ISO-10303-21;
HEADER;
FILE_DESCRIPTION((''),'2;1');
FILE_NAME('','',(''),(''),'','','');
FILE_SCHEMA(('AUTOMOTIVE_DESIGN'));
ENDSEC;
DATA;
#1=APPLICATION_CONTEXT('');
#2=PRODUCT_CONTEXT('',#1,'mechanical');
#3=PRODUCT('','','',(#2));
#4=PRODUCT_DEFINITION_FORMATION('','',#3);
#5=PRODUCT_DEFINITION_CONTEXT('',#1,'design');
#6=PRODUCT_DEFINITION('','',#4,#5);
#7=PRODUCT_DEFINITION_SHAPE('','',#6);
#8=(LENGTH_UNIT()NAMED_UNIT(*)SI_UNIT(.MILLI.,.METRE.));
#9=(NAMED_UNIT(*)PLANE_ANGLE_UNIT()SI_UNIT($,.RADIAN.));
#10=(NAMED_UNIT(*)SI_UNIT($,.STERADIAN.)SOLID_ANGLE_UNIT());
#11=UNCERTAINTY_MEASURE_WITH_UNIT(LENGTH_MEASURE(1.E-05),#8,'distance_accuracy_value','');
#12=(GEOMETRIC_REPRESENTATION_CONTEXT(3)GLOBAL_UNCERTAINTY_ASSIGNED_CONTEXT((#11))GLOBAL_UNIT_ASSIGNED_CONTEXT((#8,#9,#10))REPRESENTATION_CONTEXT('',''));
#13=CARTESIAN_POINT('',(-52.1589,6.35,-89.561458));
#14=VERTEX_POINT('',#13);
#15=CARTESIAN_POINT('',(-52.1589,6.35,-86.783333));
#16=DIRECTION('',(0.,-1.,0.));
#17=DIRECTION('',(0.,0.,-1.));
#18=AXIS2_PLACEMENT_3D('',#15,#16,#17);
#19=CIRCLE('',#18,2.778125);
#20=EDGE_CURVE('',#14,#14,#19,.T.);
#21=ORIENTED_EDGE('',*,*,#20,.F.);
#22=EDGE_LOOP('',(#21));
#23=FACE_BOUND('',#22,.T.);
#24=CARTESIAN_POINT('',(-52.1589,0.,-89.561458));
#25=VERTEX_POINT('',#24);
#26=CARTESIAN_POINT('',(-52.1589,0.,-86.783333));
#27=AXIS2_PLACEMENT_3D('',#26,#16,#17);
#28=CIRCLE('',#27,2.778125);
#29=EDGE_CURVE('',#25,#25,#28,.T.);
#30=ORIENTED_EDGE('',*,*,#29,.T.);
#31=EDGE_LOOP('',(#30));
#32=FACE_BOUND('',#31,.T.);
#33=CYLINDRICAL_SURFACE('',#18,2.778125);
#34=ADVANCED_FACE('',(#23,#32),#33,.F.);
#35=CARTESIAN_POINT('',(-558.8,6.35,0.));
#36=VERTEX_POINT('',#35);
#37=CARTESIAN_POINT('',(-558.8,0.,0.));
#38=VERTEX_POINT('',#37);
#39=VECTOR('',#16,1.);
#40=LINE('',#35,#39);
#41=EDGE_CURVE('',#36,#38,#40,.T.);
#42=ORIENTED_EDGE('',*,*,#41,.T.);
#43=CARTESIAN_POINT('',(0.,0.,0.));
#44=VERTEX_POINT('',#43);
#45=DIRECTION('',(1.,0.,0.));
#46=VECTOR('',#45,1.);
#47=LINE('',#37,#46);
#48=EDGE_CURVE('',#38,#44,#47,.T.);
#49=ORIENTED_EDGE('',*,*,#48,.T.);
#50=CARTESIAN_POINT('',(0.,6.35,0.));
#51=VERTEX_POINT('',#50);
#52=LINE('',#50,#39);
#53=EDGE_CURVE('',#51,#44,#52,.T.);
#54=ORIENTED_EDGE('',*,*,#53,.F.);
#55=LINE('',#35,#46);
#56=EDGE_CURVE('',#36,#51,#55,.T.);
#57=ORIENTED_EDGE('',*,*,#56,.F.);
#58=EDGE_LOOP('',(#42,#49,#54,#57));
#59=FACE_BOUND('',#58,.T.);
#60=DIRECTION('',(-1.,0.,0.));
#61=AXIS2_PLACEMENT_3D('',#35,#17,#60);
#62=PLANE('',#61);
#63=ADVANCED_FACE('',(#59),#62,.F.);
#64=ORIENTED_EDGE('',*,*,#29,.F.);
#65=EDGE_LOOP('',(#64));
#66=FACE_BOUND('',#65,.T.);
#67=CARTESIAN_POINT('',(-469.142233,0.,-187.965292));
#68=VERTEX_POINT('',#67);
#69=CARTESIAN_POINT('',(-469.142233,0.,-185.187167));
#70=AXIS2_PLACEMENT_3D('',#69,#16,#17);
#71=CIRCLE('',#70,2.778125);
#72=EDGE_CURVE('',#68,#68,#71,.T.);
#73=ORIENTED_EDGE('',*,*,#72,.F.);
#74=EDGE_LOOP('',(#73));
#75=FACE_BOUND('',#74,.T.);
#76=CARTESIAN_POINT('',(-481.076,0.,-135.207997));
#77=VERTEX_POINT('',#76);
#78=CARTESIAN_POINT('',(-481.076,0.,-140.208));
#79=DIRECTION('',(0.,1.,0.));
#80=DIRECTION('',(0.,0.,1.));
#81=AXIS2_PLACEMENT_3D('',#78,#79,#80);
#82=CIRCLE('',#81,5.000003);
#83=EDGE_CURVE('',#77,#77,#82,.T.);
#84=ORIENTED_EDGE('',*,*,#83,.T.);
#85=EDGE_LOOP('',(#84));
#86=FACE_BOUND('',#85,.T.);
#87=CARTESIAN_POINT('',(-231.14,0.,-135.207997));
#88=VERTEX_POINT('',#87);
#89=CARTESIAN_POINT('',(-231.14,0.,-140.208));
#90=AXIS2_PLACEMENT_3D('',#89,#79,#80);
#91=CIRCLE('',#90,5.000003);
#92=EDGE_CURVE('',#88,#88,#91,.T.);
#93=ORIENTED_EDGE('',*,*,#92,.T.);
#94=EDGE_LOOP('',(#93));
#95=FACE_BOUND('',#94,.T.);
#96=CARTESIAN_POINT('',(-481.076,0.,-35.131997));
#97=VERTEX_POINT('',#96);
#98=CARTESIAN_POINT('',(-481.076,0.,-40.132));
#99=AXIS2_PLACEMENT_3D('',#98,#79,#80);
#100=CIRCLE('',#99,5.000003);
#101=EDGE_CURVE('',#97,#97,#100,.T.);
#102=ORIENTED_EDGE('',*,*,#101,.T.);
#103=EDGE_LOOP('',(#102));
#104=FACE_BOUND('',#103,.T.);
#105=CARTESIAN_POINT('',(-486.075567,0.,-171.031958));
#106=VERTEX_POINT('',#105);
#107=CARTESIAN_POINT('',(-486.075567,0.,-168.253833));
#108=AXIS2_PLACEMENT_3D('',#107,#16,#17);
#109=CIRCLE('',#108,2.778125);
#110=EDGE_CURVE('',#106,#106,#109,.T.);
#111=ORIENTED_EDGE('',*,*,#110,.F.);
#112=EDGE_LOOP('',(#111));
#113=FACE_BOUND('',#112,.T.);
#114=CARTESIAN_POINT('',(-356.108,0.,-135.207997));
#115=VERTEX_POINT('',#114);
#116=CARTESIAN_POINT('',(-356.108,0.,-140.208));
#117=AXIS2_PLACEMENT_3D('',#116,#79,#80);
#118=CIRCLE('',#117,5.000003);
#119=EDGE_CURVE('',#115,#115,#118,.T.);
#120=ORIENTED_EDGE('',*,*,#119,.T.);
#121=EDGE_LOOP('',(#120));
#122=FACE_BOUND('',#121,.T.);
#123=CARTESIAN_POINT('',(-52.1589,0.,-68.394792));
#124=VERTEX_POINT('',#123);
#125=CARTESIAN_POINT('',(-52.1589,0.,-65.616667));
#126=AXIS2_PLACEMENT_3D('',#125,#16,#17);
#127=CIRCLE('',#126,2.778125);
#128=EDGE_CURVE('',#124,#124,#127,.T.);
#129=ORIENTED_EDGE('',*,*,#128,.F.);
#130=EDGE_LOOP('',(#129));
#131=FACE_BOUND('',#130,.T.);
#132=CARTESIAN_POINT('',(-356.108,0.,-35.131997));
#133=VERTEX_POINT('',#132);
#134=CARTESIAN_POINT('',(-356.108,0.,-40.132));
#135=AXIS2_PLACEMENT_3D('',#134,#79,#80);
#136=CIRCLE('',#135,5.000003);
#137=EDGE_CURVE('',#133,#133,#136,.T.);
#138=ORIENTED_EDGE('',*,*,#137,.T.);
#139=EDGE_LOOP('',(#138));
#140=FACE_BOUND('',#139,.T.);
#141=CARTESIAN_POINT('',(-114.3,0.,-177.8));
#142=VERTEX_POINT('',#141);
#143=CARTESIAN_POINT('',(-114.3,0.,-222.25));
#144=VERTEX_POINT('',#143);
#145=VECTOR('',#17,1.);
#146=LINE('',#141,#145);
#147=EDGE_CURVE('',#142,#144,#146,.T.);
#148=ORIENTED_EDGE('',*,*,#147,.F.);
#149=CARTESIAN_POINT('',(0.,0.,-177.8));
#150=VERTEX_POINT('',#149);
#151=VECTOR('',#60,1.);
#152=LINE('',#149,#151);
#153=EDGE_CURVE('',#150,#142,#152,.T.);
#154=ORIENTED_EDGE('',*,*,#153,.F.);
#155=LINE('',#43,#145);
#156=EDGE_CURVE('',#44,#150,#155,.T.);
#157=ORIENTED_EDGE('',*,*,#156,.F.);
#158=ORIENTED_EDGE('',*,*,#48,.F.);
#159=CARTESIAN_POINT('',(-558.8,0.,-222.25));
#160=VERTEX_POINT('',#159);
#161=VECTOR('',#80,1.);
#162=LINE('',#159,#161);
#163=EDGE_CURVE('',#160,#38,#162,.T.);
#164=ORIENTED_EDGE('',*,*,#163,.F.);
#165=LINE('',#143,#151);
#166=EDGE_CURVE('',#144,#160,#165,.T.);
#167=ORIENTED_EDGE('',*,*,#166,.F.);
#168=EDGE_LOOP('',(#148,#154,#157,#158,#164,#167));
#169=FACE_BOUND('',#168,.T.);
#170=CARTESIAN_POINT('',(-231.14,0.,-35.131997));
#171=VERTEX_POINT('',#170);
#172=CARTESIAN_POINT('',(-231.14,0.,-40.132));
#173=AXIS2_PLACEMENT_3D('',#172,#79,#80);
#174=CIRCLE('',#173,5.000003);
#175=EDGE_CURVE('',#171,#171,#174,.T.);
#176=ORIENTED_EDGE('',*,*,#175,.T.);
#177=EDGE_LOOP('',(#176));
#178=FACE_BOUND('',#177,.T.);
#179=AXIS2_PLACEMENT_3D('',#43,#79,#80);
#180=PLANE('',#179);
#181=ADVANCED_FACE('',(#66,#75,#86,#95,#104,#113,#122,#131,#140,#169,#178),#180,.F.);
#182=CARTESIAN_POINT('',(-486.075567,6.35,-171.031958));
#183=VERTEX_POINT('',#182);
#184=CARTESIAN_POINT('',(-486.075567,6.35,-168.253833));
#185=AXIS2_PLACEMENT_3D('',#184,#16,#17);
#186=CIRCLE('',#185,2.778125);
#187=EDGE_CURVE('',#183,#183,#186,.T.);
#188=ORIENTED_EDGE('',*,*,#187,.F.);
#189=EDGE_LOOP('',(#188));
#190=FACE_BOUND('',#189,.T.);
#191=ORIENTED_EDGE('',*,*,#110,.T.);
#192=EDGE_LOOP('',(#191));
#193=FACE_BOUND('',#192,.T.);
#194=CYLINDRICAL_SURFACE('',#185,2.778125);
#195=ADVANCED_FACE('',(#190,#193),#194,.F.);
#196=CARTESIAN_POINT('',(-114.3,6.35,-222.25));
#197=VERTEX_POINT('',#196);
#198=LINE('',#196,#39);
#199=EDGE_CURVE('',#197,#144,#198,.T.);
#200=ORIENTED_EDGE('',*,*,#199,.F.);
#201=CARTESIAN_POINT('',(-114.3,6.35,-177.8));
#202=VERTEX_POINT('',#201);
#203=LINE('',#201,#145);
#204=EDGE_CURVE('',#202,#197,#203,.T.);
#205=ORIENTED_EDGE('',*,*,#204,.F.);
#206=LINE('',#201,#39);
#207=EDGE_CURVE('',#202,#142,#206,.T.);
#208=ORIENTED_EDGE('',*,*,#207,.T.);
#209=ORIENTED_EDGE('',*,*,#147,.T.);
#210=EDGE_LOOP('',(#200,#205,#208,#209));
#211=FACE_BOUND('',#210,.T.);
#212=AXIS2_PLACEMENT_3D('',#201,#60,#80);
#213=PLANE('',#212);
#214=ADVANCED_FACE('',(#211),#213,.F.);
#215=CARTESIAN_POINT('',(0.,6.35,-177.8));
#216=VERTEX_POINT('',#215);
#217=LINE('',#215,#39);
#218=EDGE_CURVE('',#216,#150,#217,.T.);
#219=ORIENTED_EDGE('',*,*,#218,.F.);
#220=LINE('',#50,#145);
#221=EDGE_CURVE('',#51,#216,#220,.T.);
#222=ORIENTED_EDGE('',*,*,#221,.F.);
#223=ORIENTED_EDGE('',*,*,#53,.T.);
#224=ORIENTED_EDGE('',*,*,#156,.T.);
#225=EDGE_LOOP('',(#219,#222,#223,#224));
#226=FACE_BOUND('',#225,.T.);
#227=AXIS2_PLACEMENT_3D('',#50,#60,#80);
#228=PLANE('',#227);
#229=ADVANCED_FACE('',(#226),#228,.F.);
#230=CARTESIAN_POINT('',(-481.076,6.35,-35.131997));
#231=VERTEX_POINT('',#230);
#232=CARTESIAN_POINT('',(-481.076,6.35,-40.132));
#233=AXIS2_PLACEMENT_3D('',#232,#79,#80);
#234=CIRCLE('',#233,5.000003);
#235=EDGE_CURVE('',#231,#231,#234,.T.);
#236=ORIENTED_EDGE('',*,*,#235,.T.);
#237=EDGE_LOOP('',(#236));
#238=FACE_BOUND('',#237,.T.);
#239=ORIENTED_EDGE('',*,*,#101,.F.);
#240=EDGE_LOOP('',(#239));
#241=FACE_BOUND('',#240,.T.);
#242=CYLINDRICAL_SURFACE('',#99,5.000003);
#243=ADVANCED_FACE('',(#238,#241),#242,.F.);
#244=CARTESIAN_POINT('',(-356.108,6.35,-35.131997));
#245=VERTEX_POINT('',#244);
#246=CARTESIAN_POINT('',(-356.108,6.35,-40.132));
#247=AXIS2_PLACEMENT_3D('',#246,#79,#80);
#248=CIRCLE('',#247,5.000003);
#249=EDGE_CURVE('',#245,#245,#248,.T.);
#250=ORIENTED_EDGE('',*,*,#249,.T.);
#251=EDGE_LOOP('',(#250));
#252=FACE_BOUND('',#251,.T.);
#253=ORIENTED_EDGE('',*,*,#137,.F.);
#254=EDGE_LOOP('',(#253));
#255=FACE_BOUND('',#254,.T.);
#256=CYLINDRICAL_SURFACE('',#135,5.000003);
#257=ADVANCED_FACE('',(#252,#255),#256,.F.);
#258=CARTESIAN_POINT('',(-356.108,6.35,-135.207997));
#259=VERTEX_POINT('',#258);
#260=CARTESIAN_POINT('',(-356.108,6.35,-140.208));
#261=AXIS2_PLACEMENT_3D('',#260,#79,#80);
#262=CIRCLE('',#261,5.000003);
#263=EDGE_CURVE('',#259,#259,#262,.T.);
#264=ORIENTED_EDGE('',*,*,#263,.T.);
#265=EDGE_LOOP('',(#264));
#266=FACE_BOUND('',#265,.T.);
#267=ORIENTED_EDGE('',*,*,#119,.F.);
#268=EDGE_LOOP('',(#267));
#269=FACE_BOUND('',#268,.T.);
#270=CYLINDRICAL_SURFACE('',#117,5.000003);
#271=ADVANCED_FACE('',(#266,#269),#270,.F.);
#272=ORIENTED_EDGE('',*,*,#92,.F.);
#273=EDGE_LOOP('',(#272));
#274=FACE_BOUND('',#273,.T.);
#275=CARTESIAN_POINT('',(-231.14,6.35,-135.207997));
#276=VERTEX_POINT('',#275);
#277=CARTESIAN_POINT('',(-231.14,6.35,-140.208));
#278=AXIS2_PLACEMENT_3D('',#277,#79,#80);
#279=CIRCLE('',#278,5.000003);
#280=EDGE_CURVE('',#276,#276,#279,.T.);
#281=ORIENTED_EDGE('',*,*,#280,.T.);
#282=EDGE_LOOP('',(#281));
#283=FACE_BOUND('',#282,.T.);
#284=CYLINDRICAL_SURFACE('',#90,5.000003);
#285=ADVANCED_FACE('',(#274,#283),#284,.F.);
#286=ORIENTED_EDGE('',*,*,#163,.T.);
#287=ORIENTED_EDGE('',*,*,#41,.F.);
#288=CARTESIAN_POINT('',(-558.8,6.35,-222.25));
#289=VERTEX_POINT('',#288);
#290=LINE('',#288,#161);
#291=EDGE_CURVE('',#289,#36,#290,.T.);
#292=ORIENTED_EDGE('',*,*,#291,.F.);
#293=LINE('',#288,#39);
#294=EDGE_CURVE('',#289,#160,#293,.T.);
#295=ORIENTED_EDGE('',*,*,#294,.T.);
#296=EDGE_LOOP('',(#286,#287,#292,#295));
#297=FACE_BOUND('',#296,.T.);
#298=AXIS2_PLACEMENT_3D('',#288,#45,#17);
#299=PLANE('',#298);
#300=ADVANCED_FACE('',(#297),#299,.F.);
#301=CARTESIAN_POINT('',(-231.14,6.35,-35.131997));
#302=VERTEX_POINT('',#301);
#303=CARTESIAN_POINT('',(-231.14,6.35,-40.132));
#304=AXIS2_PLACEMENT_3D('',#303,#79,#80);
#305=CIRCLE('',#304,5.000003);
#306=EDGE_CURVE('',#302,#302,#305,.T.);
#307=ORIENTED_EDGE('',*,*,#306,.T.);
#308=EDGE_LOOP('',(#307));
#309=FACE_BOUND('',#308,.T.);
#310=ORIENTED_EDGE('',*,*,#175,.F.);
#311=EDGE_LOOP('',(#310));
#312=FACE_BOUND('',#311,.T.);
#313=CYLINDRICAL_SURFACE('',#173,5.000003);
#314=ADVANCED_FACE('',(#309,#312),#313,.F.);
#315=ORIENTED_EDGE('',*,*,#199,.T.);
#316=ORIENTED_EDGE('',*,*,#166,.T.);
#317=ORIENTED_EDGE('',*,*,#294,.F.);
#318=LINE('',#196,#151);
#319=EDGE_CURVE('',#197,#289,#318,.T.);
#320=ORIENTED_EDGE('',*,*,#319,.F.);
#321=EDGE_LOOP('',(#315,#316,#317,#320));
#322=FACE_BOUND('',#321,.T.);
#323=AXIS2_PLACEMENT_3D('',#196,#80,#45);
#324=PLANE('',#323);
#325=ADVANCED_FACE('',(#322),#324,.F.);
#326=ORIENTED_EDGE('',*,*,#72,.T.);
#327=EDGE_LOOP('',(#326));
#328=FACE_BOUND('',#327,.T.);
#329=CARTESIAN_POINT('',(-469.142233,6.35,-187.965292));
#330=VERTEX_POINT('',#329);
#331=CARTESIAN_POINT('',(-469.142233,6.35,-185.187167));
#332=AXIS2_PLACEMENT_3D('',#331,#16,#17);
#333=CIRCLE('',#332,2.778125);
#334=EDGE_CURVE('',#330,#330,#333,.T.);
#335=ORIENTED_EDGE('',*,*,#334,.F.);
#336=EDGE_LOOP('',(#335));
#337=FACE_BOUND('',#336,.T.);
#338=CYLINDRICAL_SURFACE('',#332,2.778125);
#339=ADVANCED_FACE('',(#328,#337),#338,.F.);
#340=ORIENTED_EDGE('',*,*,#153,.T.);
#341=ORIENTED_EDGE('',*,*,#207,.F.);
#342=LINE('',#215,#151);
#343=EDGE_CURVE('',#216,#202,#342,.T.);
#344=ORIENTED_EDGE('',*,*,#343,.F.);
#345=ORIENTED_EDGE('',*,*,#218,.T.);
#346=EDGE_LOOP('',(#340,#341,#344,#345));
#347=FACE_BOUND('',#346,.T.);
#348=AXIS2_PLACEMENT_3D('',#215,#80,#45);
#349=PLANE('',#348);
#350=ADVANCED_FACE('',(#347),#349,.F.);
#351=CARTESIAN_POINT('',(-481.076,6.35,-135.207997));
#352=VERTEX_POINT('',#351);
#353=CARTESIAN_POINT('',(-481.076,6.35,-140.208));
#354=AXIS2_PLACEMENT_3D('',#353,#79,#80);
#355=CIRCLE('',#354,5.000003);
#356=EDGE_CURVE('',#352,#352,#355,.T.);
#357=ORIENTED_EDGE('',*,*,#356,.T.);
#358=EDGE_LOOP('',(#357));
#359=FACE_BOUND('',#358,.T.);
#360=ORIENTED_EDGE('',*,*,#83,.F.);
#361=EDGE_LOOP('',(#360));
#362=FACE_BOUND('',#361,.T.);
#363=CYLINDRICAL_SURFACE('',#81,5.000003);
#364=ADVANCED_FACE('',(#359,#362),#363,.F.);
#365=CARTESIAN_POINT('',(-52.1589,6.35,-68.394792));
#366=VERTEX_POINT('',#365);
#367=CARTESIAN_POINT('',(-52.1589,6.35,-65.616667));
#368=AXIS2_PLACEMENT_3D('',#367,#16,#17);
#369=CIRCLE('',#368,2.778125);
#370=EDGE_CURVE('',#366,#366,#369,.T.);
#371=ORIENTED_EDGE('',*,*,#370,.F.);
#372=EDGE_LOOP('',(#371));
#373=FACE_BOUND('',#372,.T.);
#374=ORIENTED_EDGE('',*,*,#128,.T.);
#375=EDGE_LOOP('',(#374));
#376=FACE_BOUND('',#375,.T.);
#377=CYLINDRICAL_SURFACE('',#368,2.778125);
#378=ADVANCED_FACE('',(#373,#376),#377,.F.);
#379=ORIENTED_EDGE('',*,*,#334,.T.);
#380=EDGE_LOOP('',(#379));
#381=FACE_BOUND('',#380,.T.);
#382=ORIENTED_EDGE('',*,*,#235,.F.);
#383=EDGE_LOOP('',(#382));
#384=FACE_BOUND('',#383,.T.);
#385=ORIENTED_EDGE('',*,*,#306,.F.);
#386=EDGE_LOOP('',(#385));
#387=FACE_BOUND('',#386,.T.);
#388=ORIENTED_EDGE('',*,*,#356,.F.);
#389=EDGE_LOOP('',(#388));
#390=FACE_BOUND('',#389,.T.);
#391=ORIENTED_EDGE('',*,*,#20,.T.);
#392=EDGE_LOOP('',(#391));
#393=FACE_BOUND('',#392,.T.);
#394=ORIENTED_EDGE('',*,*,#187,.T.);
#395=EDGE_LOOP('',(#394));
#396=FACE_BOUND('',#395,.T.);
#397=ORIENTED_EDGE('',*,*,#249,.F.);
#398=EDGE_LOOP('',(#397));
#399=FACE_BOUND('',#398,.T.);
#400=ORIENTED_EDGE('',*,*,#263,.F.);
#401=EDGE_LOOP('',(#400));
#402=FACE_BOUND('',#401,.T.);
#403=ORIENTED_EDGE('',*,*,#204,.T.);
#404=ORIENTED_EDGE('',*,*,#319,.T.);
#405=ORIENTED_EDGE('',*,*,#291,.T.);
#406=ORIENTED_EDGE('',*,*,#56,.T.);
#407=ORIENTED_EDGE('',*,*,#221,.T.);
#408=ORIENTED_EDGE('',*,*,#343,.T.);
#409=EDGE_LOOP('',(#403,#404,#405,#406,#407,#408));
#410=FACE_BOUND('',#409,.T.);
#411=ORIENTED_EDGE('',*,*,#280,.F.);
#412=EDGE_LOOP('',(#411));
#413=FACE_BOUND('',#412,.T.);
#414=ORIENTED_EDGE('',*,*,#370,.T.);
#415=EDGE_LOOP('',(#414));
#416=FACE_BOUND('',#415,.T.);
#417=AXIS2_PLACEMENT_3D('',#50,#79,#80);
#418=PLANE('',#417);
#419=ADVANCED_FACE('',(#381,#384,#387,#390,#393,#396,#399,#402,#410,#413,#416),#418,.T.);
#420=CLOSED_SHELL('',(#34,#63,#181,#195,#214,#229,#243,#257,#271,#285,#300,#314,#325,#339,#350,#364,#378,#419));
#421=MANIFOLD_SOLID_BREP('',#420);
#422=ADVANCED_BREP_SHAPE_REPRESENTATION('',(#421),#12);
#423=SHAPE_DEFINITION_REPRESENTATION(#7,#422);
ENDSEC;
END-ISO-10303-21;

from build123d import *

# Parameters (mm, degrees)
BOSS_EXTRUDE1_DEPTH     = 6.35
CUT_EXTRUDE3_DEPTH      = 602.409033022
CUT_EXTRUDE3_DEPTH_BACK = 602.409033022
SKETCH10_R              = 5.0000027
SKETCH2_R               = 2.778125
CUT_EXTRUDE4_DEPTH      = 602.409033022


with BuildPart() as part:
    # Sketch1 → Boss-Extrude1 (new body)
    with BuildSketch(Plane(origin=(0, 0, 0), x_dir=(1, 0, 0), z_dir=(0, 1, 0))):
        Polygon((0, 0), (0, 177.8), (-114.3, 177.8), (-114.3, 222.25), (-558.8, 222.25), (-558.8, 0), align=None)
    extrude(amount=BOSS_EXTRUDE1_DEPTH)

    # Sketch10 → Cut-Extrude3 (cut, two sides: drawn at the far end of the back side and taken through both)
    with BuildSketch(Plane(origin=(0, 6.35, 0), x_dir=(1, 0, 0), z_dir=(0, 1, 0)).offset(-CUT_EXTRUDE3_DEPTH_BACK)):
        with Locations(Location((-481.076, 40.132, 0), (0, 0, 270))):
            Circle(SKETCH10_R)
        with Locations(Location((-356.108, 40.132, 0), (0, 0, 270))):
            Circle(SKETCH10_R)
        with Locations(Location((-231.14, 40.132, 0), (0, 0, 270))):
            Circle(SKETCH10_R)
        with Locations(Location((-356.108, 140.208, 0), (0, 0, 270))):
            Circle(SKETCH10_R)
        with Locations(Location((-231.14, 140.208, 0), (0, 0, 270))):
            Circle(SKETCH10_R)
        with Locations(Location((-481.076, 140.208, 0), (0, 0, 270))):
            Circle(SKETCH10_R)
    extrude(amount=CUT_EXTRUDE3_DEPTH + CUT_EXTRUDE3_DEPTH_BACK, mode=Mode.SUBTRACT)

    # Sketch2 → Cut-Extrude4 (cut, through all)
    with BuildSketch(Plane.XZ):
        with Locations(Location((-52.1589, -86.783333333, 0), (0, 0, 270))):
            Circle(SKETCH2_R)
        with Locations(Location((-52.1589, -65.616666667, 0), (0, 0, 270))):
            Circle(SKETCH2_R)
        with Locations(Location((-469.142233333, -185.187166667, 0), (0, 0, 270))):
            Circle(SKETCH2_R)
        with Locations(Location((-486.075566667, -168.253833333, 0), (0, 0, 270))):
            Circle(SKETCH2_R)
    extrude(amount=-CUT_EXTRUDE4_DEPTH, mode=Mode.SUBTRACT)


solid = part.part
